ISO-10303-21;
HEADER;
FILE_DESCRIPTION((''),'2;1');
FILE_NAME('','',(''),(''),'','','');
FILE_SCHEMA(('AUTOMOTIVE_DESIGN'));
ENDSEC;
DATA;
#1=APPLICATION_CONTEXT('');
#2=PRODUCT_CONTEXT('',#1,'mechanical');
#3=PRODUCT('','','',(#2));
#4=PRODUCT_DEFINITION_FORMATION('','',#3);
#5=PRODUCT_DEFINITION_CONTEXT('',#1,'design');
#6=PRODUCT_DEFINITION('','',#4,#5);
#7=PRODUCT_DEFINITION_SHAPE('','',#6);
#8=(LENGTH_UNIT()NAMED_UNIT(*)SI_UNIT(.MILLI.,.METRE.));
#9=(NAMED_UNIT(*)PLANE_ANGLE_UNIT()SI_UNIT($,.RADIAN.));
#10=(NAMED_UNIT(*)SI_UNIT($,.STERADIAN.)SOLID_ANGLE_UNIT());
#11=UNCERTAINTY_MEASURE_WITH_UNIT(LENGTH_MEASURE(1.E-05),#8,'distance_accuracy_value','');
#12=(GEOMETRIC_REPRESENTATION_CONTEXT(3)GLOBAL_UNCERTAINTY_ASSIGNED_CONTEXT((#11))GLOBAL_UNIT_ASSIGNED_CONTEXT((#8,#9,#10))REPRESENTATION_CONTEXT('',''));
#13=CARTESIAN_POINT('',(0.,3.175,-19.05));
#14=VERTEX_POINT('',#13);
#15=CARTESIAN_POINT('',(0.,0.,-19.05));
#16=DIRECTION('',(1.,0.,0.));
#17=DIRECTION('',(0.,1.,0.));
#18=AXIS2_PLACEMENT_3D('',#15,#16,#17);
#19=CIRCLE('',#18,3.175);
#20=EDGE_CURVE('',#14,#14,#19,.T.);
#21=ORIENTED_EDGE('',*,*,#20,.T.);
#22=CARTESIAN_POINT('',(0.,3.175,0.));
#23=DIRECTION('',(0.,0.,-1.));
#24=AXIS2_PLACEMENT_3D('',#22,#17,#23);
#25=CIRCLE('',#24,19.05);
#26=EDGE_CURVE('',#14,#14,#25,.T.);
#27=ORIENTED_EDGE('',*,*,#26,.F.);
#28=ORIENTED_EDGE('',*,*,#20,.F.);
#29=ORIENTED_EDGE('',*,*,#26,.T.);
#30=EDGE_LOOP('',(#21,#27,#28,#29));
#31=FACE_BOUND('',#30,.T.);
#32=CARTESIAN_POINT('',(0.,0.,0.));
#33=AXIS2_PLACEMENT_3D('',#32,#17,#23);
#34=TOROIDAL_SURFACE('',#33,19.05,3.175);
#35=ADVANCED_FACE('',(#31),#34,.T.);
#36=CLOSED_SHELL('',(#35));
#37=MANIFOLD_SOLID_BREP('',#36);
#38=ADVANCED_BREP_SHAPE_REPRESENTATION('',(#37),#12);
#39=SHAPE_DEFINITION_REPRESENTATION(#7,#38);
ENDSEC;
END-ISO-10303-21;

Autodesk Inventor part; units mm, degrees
ref_plane "YZ Plane" through (0, 0, 0) normal (1, 0, 0) x (0, 1, 0)
ref_plane "XZ Plane" through (0, 0, 0) normal (0, 1, 0) x (-1, 0, 0)
ref_plane "XY Plane" through (0, 0, 0) normal (0, 0, 1) x (1, 0, 0)
sketch "Sketch1" plane through (0, 0, 0) normal (1, 0, 0) x (0, 1, 0)
  line L0 (0, 0) -> (0, -19.05) construction
  circle A0 centre (0, -19.05) radius 3.175
  line L1 (0, 0) -> (12.7, 0) construction
  dimension "d0" = 19.05
  dimension "d1" = 6.35
  dimension "d2" = 12.7
revolve "Revolution1" add sketch "Sketch1" angle 360 about axis through (0, 0, 0) along (0, 1, 0)
properties part number "Pulley Ring" material "Rubber, Silicone"
